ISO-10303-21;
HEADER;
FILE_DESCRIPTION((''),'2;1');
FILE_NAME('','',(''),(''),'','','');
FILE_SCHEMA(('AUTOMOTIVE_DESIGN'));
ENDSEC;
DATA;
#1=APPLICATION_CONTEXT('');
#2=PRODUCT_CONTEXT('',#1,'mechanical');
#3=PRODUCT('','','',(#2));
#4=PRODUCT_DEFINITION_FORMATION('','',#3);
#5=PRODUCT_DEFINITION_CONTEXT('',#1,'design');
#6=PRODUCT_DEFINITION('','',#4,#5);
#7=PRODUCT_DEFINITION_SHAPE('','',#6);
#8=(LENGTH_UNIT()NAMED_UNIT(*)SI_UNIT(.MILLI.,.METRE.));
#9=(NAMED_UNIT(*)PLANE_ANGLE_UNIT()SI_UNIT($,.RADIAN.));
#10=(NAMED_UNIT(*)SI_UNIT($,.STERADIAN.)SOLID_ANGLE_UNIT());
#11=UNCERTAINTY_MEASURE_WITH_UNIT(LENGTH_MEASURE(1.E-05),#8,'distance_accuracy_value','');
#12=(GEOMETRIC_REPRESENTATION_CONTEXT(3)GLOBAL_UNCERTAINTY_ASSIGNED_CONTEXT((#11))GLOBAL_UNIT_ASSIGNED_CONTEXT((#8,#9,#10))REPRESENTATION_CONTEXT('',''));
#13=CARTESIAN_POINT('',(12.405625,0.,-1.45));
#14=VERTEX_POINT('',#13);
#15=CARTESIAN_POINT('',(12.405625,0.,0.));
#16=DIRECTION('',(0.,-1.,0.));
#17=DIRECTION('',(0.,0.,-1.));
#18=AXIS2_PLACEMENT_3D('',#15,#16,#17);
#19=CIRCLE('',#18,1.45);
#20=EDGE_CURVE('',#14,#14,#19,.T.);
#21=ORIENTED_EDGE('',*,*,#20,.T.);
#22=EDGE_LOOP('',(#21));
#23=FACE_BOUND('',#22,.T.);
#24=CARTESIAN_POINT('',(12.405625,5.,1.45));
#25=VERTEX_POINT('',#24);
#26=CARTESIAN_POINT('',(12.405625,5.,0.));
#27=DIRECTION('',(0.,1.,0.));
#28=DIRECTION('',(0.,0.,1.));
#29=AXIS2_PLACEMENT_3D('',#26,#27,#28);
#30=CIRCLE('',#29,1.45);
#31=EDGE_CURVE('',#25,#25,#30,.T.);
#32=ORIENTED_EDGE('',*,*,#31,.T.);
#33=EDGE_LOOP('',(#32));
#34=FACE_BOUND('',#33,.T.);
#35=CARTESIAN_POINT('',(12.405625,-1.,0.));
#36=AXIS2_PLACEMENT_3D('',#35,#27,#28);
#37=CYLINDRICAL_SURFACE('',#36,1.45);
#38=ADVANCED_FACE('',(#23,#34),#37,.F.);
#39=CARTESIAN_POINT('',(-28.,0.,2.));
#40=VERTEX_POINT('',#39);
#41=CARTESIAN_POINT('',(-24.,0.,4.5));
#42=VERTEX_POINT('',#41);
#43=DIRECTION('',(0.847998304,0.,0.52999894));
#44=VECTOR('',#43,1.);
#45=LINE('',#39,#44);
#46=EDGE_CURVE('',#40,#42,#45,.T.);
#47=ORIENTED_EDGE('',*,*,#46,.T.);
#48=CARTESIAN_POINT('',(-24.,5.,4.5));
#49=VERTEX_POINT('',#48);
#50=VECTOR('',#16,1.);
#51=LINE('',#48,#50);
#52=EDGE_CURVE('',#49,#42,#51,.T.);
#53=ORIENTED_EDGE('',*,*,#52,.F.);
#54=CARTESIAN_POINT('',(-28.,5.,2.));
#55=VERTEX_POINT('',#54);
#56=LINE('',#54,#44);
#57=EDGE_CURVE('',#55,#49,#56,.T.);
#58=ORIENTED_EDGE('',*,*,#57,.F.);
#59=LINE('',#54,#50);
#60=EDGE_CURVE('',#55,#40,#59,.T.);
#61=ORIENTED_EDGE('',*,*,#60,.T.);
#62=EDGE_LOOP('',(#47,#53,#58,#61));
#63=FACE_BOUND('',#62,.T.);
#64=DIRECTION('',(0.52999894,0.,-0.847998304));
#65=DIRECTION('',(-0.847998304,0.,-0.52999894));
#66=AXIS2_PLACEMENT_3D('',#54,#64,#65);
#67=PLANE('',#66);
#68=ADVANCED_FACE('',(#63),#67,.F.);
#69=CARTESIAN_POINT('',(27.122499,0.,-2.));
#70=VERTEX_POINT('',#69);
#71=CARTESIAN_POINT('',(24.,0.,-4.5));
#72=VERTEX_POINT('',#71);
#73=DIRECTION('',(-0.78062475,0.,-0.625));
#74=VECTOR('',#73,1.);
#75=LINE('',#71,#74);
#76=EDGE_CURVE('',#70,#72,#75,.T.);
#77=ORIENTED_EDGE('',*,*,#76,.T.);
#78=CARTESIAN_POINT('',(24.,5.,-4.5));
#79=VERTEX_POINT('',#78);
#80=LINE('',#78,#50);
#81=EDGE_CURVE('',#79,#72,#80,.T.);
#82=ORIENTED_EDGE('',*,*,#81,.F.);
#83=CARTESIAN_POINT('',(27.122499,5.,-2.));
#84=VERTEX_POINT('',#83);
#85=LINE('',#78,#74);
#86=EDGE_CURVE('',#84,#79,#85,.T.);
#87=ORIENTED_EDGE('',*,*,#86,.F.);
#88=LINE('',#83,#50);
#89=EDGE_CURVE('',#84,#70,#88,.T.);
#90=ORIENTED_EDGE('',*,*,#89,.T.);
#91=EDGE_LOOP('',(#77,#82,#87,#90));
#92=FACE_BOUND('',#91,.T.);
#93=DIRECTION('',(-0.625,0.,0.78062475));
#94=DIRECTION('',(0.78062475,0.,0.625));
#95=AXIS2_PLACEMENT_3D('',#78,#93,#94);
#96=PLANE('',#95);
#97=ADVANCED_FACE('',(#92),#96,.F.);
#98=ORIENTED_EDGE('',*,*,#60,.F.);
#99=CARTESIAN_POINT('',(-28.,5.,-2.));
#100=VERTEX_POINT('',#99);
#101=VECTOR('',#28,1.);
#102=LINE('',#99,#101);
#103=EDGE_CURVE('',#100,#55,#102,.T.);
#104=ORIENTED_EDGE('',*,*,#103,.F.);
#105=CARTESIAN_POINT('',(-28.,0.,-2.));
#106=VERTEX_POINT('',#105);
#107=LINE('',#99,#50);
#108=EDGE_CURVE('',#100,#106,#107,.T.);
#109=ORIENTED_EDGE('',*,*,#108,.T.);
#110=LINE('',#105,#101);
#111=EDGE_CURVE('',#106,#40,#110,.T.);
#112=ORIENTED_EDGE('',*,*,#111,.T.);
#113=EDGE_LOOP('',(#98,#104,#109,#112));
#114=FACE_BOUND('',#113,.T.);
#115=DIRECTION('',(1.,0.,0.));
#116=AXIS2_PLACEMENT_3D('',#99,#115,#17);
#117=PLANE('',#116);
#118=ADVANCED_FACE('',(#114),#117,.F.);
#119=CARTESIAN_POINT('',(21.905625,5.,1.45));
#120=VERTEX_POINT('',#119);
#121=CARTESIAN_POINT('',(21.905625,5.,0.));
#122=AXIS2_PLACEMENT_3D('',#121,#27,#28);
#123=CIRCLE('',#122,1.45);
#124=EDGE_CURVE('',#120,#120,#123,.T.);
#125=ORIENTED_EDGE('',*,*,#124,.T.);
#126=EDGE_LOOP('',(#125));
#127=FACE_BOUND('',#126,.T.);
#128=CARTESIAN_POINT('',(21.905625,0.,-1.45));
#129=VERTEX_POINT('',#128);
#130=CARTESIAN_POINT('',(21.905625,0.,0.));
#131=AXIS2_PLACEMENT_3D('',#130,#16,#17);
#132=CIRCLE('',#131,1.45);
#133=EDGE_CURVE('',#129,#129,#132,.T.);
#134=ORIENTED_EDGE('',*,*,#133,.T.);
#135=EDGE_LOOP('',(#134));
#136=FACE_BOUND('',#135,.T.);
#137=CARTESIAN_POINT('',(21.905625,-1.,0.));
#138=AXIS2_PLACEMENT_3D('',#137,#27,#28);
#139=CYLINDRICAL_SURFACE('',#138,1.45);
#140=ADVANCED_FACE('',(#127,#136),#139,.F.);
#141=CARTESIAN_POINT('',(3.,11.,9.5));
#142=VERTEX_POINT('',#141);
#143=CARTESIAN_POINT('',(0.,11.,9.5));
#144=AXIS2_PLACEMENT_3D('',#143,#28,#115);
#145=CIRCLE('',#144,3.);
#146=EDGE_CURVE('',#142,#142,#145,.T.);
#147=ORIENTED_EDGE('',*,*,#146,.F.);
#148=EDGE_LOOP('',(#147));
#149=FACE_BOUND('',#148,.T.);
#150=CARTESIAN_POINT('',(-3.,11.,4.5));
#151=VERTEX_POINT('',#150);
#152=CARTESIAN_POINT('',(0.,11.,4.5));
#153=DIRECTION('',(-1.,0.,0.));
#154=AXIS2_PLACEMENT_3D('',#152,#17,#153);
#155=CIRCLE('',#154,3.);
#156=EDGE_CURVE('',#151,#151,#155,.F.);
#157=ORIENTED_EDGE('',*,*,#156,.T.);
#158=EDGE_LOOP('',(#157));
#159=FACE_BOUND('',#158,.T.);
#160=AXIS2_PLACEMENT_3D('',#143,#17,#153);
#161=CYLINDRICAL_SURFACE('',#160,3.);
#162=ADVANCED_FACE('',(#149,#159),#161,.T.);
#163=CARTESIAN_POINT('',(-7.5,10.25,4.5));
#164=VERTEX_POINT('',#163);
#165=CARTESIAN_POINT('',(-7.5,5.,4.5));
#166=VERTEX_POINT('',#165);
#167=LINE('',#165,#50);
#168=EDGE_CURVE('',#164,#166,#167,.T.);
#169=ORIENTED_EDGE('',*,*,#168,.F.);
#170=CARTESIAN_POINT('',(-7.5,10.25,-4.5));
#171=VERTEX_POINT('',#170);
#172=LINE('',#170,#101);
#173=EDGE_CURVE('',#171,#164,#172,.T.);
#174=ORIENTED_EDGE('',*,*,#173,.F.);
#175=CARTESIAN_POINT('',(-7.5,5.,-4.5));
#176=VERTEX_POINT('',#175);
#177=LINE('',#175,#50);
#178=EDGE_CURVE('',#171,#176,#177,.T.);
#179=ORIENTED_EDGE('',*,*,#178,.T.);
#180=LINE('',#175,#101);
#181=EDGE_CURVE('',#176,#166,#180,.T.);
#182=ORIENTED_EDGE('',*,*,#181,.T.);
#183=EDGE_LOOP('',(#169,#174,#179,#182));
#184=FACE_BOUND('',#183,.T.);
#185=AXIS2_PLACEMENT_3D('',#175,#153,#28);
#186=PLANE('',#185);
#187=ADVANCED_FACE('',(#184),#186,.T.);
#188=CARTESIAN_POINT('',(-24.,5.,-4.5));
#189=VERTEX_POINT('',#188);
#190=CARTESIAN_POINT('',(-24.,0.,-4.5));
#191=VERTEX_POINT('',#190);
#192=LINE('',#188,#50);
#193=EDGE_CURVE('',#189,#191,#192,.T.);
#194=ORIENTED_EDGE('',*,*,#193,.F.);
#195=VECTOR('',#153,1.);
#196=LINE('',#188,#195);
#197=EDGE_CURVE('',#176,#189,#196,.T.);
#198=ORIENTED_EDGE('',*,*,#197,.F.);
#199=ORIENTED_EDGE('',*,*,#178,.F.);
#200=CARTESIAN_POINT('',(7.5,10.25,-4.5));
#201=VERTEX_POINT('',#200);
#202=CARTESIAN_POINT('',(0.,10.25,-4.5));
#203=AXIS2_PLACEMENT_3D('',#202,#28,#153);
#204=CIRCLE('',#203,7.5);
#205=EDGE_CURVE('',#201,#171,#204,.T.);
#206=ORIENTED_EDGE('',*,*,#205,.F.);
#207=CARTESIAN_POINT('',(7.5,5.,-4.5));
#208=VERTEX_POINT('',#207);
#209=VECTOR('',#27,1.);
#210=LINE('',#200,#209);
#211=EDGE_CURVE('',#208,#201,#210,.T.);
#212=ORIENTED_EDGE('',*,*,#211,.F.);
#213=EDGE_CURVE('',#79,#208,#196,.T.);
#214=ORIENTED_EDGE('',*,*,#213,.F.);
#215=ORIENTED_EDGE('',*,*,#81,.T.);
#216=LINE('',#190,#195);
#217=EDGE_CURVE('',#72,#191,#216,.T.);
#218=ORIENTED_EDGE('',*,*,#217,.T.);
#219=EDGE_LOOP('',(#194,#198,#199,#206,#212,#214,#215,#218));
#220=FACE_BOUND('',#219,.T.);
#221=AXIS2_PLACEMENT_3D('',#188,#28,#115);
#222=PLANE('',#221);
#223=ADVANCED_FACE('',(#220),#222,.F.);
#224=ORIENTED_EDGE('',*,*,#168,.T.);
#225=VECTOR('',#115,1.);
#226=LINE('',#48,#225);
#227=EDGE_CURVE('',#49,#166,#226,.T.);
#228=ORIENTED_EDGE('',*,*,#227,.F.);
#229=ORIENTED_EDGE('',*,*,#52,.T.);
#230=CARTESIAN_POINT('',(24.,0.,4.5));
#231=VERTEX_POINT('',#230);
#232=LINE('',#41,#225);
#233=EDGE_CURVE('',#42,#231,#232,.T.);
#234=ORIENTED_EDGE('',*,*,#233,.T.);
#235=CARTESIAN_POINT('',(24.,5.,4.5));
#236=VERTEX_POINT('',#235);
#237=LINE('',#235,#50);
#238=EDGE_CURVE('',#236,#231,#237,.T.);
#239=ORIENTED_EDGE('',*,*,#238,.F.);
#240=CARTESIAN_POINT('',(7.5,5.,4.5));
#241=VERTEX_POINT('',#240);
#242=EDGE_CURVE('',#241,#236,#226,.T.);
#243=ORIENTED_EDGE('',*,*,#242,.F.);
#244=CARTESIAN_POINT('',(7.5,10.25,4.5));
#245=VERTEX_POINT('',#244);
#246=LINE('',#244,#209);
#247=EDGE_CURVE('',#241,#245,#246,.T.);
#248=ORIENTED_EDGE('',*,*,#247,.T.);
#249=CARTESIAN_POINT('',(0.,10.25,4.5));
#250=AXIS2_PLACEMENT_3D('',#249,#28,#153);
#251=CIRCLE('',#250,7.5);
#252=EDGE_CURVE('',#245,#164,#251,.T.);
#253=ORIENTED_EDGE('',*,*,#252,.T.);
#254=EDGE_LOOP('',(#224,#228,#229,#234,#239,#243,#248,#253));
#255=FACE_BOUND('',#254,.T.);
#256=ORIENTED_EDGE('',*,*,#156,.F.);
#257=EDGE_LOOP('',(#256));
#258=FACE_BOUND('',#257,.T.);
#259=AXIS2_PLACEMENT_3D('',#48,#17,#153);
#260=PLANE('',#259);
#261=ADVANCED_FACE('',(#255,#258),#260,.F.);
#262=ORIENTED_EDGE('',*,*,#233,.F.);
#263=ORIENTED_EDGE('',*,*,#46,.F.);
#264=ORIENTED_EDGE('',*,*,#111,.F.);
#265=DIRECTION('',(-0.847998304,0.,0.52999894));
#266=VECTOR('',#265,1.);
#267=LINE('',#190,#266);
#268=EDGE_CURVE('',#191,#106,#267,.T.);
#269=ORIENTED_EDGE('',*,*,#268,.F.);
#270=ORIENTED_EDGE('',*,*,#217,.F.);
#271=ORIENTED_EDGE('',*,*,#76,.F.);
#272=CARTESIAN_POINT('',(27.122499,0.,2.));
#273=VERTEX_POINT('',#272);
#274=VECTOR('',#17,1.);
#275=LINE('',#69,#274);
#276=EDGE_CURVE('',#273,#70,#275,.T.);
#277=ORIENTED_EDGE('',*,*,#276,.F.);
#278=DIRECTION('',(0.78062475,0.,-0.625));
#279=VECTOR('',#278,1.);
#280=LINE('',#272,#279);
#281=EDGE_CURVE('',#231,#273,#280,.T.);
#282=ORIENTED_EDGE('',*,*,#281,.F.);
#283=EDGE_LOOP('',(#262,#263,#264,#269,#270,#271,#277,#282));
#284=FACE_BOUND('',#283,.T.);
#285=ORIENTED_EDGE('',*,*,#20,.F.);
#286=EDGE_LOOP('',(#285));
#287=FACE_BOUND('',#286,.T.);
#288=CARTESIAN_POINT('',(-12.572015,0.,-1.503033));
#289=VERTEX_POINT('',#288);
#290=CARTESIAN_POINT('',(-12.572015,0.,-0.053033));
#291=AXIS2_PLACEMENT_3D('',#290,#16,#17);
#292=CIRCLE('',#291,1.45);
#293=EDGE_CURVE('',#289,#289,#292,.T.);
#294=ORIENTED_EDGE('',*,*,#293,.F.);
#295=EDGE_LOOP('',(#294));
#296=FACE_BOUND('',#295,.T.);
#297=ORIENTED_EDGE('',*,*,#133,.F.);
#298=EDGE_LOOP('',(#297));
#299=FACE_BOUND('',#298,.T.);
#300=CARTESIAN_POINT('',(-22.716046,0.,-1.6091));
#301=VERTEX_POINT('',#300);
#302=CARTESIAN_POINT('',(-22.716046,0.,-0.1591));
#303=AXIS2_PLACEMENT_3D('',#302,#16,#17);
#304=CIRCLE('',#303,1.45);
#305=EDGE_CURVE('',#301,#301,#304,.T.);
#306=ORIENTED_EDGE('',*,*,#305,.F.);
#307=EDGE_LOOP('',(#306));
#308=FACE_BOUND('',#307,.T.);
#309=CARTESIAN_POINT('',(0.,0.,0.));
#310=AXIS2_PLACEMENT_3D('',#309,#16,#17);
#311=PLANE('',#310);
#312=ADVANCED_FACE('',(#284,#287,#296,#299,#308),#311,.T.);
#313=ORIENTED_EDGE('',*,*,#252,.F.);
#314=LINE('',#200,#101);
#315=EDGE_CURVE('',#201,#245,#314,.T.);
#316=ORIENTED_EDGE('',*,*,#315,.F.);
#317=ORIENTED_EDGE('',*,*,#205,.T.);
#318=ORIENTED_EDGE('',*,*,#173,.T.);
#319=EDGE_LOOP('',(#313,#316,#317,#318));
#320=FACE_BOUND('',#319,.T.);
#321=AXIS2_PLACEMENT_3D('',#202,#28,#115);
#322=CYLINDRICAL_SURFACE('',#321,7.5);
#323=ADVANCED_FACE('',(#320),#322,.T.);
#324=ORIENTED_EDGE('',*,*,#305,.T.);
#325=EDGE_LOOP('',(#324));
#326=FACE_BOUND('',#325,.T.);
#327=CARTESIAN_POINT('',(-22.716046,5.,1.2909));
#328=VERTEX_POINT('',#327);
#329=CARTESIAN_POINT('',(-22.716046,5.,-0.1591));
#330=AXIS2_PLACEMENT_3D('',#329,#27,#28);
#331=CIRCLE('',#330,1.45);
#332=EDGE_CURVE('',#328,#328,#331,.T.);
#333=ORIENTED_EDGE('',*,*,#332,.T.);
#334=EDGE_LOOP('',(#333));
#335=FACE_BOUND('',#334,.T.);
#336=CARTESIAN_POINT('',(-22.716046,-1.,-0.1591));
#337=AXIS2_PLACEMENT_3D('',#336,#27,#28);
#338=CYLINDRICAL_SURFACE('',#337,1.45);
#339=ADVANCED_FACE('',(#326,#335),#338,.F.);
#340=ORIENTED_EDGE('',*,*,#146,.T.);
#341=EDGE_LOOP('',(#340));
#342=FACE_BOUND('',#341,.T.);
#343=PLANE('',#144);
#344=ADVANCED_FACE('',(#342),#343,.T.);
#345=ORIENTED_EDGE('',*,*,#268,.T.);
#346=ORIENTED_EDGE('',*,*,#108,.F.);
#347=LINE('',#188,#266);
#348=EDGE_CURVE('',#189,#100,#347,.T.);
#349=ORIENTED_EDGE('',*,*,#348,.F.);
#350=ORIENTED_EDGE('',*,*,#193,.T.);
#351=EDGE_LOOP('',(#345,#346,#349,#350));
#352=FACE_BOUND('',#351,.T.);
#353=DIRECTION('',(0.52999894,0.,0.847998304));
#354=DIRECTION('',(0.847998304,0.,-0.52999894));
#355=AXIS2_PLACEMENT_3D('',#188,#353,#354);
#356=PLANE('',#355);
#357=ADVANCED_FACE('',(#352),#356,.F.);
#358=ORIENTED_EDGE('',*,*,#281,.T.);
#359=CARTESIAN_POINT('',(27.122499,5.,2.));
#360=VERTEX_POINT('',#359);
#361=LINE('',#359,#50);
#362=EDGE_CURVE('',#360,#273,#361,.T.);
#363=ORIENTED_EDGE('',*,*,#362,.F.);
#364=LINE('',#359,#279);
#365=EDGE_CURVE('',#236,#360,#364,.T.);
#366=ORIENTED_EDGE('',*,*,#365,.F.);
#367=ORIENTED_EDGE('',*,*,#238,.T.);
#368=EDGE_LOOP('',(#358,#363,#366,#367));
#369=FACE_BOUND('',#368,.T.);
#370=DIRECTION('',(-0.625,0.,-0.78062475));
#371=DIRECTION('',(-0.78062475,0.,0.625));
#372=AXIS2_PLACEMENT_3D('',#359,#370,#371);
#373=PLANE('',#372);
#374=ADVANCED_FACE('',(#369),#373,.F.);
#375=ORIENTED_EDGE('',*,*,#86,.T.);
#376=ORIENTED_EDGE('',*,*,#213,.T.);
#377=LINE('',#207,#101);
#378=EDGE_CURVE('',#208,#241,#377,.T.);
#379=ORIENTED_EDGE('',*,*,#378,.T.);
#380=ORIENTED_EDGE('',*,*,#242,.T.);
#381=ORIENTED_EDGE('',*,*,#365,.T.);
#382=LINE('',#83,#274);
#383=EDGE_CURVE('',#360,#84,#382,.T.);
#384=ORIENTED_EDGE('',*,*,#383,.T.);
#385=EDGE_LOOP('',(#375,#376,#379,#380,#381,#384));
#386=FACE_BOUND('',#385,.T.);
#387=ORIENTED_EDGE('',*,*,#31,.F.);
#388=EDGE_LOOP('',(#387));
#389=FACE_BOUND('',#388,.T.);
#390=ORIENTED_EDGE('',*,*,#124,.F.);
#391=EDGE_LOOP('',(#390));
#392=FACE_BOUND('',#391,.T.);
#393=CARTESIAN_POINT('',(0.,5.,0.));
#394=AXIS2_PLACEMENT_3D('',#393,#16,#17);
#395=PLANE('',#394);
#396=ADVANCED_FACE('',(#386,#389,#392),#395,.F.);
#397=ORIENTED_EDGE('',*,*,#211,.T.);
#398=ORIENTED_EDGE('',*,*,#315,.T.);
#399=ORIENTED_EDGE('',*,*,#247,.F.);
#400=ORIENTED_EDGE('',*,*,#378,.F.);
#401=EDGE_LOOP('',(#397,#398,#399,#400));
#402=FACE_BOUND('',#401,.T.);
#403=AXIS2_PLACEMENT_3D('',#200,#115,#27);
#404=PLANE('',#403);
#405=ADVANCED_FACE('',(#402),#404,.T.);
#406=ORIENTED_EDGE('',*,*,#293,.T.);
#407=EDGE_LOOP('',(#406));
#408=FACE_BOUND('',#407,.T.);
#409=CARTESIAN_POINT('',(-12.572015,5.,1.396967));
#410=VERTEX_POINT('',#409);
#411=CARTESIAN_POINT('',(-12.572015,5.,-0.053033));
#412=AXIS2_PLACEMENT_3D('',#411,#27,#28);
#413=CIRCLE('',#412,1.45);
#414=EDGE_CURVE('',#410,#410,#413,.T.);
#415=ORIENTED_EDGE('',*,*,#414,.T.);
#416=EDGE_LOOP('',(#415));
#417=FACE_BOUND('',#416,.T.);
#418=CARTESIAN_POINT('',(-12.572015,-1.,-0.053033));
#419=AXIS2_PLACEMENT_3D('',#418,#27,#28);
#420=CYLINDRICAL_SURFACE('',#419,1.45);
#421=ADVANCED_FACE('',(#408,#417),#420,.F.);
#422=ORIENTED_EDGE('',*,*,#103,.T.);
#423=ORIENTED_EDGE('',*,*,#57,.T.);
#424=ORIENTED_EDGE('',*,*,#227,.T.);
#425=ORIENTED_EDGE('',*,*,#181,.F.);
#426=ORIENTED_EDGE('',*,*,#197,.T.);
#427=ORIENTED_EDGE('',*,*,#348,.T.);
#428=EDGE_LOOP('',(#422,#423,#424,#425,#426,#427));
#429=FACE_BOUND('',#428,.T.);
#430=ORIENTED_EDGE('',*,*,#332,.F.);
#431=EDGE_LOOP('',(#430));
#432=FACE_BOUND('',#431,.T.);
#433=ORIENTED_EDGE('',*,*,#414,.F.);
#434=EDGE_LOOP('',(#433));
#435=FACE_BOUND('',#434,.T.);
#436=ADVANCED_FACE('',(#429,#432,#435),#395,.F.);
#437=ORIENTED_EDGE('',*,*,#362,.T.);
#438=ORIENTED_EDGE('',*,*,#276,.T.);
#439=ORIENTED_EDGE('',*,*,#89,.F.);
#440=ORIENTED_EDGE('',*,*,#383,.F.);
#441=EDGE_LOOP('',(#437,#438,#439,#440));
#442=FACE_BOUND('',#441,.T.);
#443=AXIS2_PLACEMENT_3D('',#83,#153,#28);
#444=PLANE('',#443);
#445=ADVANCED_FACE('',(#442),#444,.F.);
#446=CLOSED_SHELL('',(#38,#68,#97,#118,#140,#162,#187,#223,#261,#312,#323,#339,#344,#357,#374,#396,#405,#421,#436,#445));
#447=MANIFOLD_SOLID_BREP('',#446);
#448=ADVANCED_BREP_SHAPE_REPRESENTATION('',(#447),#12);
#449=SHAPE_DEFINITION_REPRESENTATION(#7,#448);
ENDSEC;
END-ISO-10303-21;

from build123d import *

# Parameters (mm, degrees)
DODANIE_WYCI_GNI_CIE1_DEPTH = 5
DODANIE_WYCI_GNI_CIE2_DEPTH = 9
SZKIC4_R                    = 1.45
WYTNIJ_WYCI_GNI_CIE1_DEPTH  = 6
SZKIC3_R                    = 3
DODANIE_WYCI_GNI_CIE3_DEPTH = 5


with BuildPart() as part:
    # Szkic1 → Dodanie-wyciągnięcie1 (new body)
    with BuildSketch(Plane(origin=(0, 0, 0), x_dir=(1, 0, 0), z_dir=(0, 1, 0))):
        Polygon((24, 4.5), (27.122498999, 2), (27.122498999, -2), (24, -4.5), (-24, -4.5), (-28, -2), (-28, 2), (-24, 4.5), align=None)
    extrude(amount=DODANIE_WYCI_GNI_CIE1_DEPTH)

    # Szkic2 → Dodanie-wyciągnięcie2 (add)
    with BuildSketch(Plane.XY.offset(4.5)):
        with BuildLine():
            Line((-7.5, 5), (7.5, 5))
            Line((7.5, 5), (7.5, 10.25))
            ThreePointArc((7.5, 10.25), (0, 17.75), (-7.5, 10.25))
            Line((-7.5, 10.25), (-7.5, 5))
        make_face()
    extrude(amount=-DODANIE_WYCI_GNI_CIE2_DEPTH)

    # Szkic4 → Wytnij-wyciągnięcie1 (cut)
    with BuildSketch(Plane(origin=(0, 5, 0), x_dir=(1, 0, 0), z_dir=(0, 1, 0))):
        with Locations(Location((12.40562475, 0, 0), (0, 0, 270))):
            Circle(SZKIC4_R)
        with Locations(Location((21.90562475, 0, 0), (0, 0, 270))):
            Circle(SZKIC4_R)
        with Locations(Location((-12.57201541, 0.053033314, 0), (0, 0, 270))):
            Circle(SZKIC4_R)
        with Locations(Location((-22.71604623, 0.159099943, 0), (0, 0, 270))):
            Circle(SZKIC4_R)
    extrude(amount=-WYTNIJ_WYCI_GNI_CIE1_DEPTH, mode=Mode.SUBTRACT)

    # Szkic3 → Dodanie-wyciągnięcie3 (add)
    with BuildSketch(Plane.XY.offset(4.5)):
        with Locations(Location((0, 11, 0), (0, 0, 180))):
            Circle(SZKIC3_R)
    extrude(amount=DODANIE_WYCI_GNI_CIE3_DEPTH)


solid = part.part
